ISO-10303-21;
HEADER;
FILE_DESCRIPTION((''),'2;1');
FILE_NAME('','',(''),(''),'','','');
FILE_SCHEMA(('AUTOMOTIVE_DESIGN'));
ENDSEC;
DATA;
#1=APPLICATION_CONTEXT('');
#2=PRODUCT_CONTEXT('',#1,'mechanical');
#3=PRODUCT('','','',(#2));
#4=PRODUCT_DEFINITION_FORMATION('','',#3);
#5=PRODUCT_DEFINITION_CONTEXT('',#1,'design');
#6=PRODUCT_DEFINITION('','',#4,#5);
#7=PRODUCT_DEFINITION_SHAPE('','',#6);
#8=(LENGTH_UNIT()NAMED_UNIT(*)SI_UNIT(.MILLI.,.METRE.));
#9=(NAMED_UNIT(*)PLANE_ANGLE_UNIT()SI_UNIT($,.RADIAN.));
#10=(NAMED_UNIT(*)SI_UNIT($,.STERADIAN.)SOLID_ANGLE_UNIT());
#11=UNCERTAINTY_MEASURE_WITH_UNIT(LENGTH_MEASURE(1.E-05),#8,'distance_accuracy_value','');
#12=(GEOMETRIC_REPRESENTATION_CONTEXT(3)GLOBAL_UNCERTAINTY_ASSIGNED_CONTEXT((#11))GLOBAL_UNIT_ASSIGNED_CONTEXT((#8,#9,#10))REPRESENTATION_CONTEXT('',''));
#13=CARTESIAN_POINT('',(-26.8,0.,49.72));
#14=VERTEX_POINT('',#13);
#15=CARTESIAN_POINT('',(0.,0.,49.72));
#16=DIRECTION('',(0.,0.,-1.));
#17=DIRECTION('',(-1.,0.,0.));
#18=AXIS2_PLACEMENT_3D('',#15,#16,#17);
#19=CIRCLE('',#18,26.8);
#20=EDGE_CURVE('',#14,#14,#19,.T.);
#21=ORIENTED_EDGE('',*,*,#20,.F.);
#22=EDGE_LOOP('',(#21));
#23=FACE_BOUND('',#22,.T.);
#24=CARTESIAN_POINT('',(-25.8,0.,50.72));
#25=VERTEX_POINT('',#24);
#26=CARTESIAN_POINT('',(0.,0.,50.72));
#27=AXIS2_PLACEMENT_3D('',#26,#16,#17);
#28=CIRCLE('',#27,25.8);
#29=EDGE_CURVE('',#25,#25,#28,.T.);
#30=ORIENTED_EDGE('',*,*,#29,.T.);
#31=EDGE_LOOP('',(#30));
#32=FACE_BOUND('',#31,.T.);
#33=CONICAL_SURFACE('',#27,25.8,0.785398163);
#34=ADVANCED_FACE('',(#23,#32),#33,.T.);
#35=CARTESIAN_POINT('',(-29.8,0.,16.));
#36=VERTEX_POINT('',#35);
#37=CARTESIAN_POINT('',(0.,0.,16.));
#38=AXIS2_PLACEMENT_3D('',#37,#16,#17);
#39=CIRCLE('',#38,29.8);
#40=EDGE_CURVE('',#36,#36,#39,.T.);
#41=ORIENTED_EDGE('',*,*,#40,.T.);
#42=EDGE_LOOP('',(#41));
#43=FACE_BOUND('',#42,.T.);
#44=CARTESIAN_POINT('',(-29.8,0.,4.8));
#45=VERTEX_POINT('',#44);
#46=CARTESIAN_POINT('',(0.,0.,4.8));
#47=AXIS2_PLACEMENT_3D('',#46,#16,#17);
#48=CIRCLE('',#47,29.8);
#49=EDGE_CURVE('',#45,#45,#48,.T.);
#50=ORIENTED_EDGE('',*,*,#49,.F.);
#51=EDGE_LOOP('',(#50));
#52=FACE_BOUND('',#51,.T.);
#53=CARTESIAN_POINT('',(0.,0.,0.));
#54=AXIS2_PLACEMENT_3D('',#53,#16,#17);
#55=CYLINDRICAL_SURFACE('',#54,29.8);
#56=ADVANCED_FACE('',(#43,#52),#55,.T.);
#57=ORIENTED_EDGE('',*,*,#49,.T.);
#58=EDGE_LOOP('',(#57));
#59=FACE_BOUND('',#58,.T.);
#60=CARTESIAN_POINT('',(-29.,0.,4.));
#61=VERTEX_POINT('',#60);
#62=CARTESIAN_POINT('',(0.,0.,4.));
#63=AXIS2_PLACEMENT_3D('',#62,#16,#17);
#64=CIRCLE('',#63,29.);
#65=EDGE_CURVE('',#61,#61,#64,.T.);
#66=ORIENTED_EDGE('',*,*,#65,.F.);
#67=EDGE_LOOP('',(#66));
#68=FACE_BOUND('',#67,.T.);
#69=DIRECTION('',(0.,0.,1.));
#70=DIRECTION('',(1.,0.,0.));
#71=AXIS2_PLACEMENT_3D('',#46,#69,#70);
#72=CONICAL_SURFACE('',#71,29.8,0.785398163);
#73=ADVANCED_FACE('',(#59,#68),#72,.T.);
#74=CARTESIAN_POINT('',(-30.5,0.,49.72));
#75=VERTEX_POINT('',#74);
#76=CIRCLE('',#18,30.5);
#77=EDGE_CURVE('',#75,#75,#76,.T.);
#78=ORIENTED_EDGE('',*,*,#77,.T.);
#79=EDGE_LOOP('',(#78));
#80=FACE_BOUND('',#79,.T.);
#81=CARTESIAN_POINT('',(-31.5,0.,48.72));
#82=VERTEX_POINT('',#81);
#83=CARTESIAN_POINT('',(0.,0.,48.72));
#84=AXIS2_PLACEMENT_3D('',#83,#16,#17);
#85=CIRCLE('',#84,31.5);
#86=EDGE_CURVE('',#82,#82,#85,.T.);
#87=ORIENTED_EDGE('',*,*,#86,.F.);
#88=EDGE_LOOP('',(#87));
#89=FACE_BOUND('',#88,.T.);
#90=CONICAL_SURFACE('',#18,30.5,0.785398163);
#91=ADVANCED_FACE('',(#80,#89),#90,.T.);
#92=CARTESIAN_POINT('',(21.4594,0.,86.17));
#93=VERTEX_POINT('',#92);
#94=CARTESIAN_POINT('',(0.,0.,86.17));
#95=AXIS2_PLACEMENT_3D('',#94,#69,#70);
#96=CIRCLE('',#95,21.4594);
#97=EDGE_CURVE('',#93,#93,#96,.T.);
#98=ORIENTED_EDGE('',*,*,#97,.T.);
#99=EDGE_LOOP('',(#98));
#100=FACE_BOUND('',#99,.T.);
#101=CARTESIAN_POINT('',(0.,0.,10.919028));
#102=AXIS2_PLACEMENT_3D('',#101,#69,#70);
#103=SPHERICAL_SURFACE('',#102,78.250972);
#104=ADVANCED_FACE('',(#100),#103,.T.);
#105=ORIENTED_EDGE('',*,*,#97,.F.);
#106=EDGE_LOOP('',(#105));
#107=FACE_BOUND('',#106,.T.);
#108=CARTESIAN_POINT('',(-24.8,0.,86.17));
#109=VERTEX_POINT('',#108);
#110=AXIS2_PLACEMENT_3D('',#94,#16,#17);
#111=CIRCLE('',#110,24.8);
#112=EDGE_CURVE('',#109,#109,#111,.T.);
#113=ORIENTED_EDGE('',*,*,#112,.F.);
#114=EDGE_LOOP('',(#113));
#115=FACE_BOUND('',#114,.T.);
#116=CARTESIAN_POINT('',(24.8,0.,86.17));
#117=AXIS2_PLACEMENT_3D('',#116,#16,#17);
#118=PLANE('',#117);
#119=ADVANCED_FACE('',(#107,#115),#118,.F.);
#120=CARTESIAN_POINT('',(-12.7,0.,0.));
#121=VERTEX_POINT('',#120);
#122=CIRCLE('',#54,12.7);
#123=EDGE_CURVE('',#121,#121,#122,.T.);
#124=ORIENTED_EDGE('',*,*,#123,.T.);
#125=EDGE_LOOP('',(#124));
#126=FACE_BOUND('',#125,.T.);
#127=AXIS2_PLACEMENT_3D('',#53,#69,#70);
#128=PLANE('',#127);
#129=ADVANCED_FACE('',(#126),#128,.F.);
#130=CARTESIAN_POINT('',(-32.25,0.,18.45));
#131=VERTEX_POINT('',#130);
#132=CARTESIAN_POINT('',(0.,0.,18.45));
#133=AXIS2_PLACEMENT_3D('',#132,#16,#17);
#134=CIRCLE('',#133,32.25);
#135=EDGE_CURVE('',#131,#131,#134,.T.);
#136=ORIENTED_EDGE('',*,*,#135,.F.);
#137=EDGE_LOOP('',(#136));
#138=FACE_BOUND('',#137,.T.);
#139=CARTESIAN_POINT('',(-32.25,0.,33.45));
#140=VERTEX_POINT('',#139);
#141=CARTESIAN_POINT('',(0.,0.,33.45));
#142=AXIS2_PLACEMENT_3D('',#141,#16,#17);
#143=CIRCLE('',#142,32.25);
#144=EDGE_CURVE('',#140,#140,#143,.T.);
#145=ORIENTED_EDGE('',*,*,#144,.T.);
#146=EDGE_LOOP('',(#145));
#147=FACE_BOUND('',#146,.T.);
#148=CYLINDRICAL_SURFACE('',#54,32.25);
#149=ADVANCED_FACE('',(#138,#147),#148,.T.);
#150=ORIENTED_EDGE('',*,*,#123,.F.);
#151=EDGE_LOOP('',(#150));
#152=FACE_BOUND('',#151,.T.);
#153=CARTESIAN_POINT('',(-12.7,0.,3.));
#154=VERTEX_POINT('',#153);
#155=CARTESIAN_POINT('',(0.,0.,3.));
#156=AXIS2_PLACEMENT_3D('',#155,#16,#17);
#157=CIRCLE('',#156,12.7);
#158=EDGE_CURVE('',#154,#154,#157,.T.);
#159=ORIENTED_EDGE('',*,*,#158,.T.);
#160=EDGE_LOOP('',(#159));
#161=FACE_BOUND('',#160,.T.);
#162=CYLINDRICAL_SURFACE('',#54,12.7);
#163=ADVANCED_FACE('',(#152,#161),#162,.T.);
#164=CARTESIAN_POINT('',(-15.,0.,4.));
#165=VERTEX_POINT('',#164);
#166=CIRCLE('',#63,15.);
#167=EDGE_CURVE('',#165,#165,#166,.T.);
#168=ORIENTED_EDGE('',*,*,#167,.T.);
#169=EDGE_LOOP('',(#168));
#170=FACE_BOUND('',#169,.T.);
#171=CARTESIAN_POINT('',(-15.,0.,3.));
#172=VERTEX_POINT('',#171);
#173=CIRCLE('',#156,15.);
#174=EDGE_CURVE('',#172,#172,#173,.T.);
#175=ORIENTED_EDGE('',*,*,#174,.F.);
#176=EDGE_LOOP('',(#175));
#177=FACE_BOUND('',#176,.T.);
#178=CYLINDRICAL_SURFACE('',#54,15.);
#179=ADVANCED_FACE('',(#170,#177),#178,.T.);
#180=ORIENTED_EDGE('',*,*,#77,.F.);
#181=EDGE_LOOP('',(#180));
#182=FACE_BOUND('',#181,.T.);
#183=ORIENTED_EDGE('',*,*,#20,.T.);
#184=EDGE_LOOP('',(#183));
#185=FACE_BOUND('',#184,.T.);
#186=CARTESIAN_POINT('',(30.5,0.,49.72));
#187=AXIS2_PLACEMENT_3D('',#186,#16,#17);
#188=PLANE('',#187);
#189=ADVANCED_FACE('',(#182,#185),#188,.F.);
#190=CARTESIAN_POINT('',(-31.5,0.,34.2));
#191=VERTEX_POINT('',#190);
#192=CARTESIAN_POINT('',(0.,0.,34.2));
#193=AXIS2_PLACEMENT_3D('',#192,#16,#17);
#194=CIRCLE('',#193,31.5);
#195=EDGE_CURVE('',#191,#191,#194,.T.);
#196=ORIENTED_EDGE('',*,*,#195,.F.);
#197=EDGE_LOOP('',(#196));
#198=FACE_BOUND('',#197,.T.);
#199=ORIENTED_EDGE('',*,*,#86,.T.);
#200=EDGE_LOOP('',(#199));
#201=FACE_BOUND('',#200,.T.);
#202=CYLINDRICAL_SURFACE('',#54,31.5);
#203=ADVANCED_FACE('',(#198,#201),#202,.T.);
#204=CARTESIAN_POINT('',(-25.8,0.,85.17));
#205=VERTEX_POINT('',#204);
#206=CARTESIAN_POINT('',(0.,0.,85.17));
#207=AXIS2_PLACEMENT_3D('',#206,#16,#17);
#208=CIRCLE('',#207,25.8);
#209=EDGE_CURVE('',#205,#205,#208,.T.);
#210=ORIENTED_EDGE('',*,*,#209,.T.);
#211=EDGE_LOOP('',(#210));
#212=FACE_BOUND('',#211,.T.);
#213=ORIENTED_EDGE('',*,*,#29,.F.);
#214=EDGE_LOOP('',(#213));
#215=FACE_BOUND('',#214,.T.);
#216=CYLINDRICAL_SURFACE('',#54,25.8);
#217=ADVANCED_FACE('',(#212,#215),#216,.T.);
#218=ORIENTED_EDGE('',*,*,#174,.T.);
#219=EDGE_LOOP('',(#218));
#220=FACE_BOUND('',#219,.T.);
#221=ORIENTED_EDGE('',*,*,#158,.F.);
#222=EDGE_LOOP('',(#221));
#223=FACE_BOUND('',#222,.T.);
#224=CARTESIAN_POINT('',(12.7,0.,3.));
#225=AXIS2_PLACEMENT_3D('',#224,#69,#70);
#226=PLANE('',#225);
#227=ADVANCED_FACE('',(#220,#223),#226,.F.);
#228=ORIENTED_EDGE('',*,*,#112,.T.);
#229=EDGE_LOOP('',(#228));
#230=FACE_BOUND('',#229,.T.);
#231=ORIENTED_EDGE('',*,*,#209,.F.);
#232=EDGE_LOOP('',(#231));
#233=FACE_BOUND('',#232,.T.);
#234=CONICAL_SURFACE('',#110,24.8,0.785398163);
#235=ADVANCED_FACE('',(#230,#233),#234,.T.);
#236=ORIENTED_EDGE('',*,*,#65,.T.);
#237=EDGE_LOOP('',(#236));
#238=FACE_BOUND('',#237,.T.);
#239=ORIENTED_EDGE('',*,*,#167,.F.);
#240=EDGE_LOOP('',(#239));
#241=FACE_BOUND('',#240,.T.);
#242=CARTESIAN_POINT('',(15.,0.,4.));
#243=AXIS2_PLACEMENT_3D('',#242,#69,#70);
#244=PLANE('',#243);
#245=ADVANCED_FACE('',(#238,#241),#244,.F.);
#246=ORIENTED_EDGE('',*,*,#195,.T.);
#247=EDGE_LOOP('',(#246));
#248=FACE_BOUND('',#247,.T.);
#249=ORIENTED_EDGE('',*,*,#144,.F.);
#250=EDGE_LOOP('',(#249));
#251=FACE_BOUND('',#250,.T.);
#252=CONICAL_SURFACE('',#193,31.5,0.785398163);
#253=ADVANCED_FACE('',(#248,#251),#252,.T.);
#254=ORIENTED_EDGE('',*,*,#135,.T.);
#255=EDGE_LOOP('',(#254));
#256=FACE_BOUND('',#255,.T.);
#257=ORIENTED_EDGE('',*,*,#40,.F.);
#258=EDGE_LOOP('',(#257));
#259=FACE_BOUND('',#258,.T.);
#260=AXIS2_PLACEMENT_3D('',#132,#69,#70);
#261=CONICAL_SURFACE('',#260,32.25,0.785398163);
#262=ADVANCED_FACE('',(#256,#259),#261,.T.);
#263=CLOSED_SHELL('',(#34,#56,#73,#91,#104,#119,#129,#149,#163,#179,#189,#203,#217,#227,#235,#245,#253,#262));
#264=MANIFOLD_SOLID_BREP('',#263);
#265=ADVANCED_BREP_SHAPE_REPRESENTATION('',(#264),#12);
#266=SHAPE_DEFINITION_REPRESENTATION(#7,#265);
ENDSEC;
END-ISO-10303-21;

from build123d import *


with BuildPart() as part:
    # Эскиз1 → Повернуть1 (revolve)
    with BuildSketch(Plane(origin=(0, 0, 0), x_dir=(1, 0, 0), z_dir=(0, 1, 0)), mode=Mode.PRIVATE) as revolve_1_sk:
        Polygon((0, 0), (12.7, 0), (12.7, -3), (15, -3), (15, -4), (29, -4), (29.8, -4.8), (29.8, -16), (32.25, -18.45), (32.25, -33.45), (31.5, -34.2), (31.5, -48.72), (30.5, -49.72), (26.8, -49.72), (25.8, -50.72), (25.8, -85.17), (24.8, -86.17), (0, -86.17), align=None)
    revolve(revolve_1_sk.sketch.rotate(Axis((0, 0, 0), (0, 0, 1)), 180), axis=Axis((0, 0, 0), (0, 0, 1)))

    # Эскиз2 → Повернуть2 (revolve)
    with BuildSketch(Plane(origin=(0, 0, 0), x_dir=(1, 0, 0), z_dir=(0, 1, 0))):
        with BuildLine():
            Line((0, -86.17), (0, -89.17))
            ThreePointArc((0, -89.17), (10.83404162, -88.416370928), (21.459399602, -86.17))
            Line((21.459399602, -86.17), (0, -86.17))
        make_face()
    revolve(axis=Axis((0, 0, 2.482382031), (0, 0, -1)))


solid = part.part
